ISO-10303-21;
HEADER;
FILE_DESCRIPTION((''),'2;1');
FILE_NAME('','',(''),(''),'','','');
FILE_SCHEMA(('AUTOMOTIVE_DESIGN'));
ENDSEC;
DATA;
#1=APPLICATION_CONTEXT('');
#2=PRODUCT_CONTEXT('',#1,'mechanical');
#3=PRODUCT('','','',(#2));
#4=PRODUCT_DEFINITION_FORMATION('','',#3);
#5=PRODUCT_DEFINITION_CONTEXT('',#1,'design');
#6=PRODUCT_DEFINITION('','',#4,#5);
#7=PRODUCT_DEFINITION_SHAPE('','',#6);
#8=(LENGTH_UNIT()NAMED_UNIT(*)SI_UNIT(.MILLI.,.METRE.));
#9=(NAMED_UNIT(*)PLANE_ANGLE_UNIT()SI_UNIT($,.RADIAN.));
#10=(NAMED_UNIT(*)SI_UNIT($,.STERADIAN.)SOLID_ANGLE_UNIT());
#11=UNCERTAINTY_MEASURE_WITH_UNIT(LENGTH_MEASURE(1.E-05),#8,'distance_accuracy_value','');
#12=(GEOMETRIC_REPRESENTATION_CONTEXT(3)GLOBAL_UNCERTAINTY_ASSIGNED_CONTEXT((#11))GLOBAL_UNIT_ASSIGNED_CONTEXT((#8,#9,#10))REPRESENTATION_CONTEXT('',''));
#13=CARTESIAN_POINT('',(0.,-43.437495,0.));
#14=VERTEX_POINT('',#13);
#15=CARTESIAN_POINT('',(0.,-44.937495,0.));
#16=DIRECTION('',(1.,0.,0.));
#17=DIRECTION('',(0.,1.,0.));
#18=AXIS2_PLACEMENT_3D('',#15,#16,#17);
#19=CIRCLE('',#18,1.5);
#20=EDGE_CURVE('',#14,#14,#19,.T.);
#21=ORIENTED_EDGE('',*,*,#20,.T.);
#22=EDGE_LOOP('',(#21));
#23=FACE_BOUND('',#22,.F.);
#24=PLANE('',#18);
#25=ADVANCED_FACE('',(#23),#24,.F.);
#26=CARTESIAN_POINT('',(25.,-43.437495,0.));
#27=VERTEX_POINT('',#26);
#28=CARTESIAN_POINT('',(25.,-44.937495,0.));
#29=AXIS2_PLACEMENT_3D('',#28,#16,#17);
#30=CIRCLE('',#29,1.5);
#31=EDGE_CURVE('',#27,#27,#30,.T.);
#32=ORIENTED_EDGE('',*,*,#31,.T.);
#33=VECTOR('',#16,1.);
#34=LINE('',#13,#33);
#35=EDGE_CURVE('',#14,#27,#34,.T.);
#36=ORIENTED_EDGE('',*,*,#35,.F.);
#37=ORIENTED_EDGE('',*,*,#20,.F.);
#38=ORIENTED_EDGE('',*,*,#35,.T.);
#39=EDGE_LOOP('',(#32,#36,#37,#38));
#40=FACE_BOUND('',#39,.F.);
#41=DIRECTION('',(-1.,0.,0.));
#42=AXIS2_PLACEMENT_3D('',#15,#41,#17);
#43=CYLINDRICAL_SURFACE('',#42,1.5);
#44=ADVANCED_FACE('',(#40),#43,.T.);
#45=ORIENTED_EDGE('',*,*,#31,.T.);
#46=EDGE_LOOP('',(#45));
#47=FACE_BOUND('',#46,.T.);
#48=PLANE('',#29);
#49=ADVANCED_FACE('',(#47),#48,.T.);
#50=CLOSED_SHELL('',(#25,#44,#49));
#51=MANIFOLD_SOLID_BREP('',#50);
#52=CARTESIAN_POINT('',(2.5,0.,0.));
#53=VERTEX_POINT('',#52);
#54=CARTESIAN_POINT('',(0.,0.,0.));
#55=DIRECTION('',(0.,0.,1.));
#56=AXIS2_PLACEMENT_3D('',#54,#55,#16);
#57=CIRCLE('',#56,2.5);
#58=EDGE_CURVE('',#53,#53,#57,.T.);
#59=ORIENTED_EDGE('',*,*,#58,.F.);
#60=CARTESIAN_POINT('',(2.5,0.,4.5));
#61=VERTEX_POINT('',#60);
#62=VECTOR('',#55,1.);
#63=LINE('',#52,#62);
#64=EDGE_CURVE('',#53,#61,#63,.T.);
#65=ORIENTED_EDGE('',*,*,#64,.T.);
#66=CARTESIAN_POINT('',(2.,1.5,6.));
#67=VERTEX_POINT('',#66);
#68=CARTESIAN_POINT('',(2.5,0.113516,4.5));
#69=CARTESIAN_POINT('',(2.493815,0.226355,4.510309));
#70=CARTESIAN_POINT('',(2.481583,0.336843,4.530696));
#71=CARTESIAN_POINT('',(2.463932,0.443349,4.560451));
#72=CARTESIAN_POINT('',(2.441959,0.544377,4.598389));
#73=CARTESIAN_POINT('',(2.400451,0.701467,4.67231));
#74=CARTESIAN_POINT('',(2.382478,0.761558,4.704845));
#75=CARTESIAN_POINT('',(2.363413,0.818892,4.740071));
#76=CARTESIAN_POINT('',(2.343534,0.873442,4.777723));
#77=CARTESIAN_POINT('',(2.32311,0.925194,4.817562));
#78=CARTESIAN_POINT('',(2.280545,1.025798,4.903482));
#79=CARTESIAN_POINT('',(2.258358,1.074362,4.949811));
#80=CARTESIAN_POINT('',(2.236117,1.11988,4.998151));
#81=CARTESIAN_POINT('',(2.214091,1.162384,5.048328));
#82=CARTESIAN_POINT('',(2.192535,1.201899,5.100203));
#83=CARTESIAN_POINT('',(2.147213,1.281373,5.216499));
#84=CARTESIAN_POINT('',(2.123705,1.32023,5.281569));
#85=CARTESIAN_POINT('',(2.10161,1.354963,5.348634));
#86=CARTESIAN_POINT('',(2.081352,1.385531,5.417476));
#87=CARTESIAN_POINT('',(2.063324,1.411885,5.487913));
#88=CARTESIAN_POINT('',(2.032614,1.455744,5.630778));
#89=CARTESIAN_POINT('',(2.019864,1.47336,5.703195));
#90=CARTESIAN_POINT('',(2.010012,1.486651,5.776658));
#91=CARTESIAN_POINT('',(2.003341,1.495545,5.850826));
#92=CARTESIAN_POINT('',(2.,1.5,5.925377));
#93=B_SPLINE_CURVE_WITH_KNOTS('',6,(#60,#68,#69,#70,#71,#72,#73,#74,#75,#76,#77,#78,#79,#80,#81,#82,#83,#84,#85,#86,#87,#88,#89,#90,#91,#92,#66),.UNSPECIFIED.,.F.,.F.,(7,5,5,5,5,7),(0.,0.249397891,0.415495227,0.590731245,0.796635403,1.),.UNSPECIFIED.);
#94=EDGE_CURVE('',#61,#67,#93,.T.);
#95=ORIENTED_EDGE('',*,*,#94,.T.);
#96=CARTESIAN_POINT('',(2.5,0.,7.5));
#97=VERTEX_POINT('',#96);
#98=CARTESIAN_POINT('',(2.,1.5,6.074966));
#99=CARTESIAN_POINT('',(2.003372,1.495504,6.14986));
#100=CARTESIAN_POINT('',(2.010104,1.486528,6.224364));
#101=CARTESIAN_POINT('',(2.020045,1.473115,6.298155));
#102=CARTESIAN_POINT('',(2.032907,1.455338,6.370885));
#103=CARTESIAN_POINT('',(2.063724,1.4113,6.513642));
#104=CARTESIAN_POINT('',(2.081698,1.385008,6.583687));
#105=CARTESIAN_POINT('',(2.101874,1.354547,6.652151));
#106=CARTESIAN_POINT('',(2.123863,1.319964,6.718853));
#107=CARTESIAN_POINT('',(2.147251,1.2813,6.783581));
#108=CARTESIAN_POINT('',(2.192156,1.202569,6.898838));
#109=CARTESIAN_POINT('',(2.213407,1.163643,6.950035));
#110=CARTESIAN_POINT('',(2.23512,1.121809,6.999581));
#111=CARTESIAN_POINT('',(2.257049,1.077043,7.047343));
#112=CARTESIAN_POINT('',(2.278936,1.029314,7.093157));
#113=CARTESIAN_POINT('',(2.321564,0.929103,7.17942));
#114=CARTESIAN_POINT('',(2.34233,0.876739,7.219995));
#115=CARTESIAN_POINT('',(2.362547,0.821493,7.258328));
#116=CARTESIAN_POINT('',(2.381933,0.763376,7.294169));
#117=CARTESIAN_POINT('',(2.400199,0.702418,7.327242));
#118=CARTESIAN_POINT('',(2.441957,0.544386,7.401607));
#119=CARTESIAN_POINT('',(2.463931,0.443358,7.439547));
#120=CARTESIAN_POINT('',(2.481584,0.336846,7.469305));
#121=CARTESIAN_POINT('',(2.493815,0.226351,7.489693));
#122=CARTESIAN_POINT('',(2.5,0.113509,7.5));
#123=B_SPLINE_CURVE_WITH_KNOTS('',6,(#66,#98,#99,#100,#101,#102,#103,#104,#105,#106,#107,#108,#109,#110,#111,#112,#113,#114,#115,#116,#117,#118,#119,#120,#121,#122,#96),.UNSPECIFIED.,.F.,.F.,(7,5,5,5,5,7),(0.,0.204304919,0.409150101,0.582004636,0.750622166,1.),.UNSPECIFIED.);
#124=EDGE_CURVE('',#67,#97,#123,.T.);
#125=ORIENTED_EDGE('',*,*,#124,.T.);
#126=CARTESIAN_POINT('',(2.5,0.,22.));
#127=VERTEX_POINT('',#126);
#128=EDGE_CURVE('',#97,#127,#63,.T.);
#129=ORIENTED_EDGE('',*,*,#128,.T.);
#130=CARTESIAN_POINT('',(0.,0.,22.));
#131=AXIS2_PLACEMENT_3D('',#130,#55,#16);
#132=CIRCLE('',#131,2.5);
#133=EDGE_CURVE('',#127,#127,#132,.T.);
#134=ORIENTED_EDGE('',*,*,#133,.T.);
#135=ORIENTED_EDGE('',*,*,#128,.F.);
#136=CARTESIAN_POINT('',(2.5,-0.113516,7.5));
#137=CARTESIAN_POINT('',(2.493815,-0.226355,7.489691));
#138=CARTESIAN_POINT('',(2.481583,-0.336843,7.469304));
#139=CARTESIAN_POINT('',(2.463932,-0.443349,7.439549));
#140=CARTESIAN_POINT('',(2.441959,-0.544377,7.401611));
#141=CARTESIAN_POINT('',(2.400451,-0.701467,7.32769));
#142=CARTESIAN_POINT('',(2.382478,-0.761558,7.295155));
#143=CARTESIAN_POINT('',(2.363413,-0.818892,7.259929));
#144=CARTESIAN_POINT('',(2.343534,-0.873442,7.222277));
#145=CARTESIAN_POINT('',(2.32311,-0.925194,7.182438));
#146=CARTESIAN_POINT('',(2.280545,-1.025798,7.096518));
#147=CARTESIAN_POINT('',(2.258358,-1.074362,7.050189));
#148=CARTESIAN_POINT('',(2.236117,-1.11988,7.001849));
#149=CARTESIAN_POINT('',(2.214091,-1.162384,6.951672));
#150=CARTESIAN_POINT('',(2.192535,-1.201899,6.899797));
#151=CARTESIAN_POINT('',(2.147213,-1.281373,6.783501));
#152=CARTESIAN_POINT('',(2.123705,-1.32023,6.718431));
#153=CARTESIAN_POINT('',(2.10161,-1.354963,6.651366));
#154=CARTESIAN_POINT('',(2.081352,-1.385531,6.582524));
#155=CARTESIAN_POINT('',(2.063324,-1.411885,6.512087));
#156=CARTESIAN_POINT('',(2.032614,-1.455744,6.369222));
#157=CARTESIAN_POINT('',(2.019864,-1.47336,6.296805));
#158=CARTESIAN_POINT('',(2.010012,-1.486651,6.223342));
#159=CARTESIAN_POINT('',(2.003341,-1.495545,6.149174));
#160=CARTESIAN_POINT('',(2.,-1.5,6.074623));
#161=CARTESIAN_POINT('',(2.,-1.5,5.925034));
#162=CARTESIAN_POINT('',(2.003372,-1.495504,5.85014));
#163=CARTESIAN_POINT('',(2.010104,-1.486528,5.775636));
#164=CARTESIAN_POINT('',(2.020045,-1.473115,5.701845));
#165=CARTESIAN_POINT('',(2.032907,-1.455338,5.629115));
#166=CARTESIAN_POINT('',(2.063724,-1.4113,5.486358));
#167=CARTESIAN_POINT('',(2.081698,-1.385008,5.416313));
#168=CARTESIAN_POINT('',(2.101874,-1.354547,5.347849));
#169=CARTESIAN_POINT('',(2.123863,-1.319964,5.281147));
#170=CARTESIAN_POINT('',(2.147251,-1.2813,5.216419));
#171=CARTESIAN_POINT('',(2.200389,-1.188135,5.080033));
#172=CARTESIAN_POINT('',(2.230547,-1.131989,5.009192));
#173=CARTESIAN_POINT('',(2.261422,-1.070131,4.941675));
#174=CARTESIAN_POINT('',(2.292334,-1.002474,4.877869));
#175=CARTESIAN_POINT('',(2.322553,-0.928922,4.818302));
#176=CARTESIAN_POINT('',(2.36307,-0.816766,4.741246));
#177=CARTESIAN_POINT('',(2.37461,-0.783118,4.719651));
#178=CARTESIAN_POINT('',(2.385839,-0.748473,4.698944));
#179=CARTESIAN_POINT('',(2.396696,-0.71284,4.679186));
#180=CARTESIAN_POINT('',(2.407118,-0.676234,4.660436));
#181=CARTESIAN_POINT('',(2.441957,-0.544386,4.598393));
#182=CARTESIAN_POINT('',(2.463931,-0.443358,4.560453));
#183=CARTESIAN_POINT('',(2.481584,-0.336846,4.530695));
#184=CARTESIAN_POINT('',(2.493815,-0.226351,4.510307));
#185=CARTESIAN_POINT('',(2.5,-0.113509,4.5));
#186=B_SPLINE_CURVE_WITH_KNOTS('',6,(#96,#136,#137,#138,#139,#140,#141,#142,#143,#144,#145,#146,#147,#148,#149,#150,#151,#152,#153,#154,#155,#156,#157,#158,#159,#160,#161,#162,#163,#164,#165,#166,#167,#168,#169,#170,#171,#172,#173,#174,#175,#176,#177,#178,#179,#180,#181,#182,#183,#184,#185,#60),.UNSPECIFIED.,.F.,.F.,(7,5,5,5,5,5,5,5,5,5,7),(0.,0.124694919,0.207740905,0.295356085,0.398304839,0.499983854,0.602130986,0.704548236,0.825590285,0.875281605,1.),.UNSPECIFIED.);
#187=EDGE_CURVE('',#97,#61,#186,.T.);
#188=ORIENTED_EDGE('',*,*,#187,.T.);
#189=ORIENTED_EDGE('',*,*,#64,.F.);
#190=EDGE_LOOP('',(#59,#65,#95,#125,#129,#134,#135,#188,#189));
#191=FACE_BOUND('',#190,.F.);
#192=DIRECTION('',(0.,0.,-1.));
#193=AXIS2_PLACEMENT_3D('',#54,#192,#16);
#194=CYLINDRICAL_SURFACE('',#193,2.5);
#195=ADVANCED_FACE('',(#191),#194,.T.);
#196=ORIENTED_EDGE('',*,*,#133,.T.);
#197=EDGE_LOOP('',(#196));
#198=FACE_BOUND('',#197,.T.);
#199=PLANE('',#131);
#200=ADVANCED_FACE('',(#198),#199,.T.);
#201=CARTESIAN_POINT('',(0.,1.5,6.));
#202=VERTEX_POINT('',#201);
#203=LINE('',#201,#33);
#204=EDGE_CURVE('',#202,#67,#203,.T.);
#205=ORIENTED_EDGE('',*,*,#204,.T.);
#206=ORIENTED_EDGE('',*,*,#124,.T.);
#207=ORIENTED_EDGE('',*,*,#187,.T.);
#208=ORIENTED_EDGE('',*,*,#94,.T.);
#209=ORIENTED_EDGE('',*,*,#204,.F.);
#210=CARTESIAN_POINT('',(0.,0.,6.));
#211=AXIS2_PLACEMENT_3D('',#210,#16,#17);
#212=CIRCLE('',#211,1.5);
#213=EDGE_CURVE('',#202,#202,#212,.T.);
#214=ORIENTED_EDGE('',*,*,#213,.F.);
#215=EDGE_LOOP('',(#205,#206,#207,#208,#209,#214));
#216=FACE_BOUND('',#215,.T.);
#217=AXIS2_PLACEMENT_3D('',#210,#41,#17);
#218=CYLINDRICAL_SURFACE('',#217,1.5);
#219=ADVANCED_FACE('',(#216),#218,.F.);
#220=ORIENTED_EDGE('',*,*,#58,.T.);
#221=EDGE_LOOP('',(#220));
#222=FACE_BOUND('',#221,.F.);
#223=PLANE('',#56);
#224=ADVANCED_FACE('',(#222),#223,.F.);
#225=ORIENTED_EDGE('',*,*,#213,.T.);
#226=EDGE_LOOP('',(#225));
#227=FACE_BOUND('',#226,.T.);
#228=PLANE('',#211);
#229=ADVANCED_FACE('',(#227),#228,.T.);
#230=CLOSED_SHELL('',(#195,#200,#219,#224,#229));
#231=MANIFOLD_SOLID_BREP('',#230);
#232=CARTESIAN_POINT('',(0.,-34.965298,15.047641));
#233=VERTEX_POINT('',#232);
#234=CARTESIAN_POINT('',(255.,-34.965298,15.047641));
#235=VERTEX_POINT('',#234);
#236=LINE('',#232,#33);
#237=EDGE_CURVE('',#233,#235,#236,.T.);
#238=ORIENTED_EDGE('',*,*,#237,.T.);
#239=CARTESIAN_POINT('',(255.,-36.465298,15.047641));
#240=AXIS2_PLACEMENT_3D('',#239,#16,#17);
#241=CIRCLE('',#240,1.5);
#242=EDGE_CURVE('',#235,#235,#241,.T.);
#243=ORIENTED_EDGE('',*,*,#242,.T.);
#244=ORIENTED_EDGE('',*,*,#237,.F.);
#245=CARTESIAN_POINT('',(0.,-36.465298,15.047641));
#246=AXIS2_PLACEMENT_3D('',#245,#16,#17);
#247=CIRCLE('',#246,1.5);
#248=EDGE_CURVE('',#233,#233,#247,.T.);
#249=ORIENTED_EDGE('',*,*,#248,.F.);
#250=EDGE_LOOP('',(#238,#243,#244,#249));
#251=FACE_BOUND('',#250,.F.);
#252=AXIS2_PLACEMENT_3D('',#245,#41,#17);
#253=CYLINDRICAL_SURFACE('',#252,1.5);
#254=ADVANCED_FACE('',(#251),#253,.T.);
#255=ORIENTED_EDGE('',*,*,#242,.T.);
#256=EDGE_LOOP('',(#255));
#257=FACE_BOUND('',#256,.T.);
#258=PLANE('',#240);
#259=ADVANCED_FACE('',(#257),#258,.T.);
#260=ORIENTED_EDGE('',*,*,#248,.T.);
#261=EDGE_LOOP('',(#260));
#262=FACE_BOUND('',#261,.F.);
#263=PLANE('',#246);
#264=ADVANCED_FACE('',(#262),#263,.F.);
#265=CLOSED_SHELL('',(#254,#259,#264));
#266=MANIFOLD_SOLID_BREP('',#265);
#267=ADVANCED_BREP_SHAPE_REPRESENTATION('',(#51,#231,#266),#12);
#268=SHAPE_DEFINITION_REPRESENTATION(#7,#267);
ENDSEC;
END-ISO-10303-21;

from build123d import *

# Parameters (mm, degrees)
F0_R     = 2.5
F1_DEPTH = 22
F2_R     = 1.5
F3_DEPTH = 25
F4_R     = 1.5
F5_DEPTH = 255
F6_R     = 1.5
F7_DEPTH = 25


with BuildPart() as f1:
    # F0 (on Top) → F1 (new body)
    with BuildSketch(Plane.XY):
        Circle(F0_R)
    extrude(amount=F1_DEPTH)

    # F2 (on Right) → F3 (cut)
    with BuildSketch(Plane.YZ):
        with Locations((0, 6)):
            Circle(F2_R)
    extrude(amount=F3_DEPTH, mode=Mode.SUBTRACT)


with BuildPart() as f5:
    # F4 (on Right) → F5 (new body)
    with BuildSketch(Plane.YZ):
        with Locations((-36.465298, 15.047641)):
            Circle(F4_R)
    extrude(amount=F5_DEPTH)


with BuildPart() as f7:
    # F6 (on Right) → F7 (new body)
    with BuildSketch(Plane.YZ):
        with Locations((-44.937495, 0)):
            Circle(F6_R)
    extrude(amount=F7_DEPTH)


solid = Compound([f1.part, f5.part, f7.part])
